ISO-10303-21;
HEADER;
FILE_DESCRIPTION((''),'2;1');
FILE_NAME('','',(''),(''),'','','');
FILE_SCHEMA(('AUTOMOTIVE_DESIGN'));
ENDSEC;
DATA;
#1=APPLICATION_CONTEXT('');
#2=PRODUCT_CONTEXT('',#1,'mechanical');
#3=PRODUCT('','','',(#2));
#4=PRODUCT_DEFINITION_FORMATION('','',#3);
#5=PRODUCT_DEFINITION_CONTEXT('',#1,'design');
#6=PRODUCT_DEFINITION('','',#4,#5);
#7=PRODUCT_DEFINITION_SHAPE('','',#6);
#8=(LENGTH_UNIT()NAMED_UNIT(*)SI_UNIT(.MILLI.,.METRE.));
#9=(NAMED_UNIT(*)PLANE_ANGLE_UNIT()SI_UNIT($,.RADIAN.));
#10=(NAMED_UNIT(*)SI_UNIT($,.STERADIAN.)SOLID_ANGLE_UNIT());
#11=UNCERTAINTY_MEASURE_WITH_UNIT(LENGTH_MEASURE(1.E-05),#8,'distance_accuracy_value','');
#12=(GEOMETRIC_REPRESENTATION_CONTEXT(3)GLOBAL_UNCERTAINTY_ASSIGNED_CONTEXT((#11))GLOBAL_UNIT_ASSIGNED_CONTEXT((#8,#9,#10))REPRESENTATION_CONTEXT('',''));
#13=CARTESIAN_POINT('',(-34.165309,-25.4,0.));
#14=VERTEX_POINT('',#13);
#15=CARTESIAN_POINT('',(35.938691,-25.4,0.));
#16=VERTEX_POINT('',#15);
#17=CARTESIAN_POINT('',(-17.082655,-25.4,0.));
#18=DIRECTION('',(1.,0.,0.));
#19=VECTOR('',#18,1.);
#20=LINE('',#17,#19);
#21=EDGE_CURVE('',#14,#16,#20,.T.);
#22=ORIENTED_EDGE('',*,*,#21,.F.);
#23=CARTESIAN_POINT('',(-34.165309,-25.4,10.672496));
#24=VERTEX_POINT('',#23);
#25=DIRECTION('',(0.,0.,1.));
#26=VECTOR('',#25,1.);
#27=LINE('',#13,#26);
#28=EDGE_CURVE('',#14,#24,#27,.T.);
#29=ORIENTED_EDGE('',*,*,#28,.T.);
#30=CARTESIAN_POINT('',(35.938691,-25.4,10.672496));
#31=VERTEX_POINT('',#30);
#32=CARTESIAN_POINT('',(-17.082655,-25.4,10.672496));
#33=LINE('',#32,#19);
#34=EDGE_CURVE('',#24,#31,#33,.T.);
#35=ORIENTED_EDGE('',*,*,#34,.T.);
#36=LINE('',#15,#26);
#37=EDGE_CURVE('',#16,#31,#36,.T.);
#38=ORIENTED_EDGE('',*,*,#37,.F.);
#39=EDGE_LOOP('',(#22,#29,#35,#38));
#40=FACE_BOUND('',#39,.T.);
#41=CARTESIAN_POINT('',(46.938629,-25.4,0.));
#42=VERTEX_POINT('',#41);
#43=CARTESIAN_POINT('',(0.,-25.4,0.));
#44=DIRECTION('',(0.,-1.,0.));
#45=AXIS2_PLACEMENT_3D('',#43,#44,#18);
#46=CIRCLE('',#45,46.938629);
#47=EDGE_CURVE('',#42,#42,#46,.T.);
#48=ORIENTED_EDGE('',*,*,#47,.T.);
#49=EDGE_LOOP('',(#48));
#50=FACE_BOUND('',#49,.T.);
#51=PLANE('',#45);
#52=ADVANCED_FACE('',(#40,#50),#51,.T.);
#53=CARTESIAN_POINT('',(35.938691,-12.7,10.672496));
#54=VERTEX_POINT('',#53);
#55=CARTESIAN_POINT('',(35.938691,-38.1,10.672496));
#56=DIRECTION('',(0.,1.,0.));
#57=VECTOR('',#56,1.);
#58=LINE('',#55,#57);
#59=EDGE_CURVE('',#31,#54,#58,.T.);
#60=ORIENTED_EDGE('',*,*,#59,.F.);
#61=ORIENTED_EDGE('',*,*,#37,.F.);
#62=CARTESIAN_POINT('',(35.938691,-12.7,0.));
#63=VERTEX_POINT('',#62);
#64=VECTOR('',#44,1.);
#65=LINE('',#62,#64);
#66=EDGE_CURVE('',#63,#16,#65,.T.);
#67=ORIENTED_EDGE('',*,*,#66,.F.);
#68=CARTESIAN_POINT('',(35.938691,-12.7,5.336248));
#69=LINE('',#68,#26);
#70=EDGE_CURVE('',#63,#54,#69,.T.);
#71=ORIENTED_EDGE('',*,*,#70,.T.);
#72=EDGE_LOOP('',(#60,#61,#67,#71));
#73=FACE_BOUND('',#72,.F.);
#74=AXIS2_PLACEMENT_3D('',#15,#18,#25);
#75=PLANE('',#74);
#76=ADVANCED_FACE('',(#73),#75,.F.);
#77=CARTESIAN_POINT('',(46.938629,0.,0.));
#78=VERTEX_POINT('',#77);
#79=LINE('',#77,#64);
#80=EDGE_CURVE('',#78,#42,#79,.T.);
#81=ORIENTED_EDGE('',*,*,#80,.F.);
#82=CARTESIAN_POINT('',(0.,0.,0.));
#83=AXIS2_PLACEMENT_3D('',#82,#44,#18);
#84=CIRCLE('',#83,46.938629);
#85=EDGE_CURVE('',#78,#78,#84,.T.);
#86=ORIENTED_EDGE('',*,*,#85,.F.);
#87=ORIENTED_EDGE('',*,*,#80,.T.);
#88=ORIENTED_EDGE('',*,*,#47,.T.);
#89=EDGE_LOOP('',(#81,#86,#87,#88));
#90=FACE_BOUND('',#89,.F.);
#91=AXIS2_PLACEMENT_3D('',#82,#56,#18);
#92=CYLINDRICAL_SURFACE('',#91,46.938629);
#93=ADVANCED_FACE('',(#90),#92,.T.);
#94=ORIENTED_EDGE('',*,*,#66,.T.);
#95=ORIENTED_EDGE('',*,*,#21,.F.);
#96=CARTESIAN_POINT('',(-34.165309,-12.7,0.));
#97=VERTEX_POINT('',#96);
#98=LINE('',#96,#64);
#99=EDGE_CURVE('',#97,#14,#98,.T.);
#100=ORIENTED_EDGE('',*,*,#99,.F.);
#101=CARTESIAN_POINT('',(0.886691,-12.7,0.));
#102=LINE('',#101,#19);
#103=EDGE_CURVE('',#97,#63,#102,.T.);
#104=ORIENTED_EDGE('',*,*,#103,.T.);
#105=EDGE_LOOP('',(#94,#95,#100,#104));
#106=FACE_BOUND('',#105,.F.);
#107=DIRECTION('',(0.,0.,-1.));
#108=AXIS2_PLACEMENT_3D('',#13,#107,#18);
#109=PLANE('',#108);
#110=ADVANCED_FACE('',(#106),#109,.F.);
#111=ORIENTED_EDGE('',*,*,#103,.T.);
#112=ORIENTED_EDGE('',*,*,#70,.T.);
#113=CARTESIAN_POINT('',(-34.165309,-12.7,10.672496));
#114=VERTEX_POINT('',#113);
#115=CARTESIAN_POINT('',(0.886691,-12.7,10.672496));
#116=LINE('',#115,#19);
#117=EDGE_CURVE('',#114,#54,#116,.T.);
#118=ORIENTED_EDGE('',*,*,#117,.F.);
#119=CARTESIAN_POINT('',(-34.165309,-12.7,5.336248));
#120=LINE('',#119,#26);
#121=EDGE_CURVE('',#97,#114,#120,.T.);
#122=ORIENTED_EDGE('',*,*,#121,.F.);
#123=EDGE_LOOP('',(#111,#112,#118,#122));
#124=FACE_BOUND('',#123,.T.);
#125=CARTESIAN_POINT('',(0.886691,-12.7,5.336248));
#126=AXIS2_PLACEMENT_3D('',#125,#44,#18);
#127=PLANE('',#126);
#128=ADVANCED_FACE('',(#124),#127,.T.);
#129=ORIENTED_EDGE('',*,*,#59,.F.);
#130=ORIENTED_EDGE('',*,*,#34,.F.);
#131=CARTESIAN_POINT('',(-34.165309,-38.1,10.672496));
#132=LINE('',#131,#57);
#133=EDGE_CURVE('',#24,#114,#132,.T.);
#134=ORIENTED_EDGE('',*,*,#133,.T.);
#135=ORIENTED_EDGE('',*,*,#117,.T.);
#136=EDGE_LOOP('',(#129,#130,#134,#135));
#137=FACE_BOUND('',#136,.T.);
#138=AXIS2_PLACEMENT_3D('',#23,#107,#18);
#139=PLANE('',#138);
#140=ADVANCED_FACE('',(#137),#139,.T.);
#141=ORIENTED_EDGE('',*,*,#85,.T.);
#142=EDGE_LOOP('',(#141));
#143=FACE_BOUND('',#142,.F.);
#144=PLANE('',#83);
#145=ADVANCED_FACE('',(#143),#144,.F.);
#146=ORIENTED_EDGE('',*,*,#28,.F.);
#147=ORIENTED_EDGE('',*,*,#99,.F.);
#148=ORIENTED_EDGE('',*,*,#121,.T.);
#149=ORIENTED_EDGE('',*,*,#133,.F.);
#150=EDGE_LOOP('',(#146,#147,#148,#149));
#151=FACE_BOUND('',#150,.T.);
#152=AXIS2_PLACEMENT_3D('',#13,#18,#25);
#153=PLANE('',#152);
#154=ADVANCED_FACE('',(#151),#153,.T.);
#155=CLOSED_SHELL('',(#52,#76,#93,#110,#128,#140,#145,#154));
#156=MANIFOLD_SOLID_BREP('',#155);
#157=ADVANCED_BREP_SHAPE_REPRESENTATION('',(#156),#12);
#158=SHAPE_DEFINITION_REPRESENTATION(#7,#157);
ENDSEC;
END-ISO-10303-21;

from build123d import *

# Parameters (mm, degrees)
F0_R     = 46.938629
F1_DEPTH = 25.4
F2_W     = 70.104
F2_H     = 10.672496
F3_DEPTH = 12.7


with BuildPart() as f1:
    # F0 (on Front) → F1 (new body)
    with BuildSketch(Plane.XZ):
        Circle(F0_R)
    extrude(amount=F1_DEPTH)

    # F2 (on face) → F3 (cut, symmetric)
    with BuildSketch(Plane.XZ.offset(25.4)):
        with Locations((0.886691, 5.336248)):
            Rectangle(F2_W, F2_H)
    extrude(amount=F3_DEPTH, both=True, mode=Mode.SUBTRACT)


solid = f1.part
